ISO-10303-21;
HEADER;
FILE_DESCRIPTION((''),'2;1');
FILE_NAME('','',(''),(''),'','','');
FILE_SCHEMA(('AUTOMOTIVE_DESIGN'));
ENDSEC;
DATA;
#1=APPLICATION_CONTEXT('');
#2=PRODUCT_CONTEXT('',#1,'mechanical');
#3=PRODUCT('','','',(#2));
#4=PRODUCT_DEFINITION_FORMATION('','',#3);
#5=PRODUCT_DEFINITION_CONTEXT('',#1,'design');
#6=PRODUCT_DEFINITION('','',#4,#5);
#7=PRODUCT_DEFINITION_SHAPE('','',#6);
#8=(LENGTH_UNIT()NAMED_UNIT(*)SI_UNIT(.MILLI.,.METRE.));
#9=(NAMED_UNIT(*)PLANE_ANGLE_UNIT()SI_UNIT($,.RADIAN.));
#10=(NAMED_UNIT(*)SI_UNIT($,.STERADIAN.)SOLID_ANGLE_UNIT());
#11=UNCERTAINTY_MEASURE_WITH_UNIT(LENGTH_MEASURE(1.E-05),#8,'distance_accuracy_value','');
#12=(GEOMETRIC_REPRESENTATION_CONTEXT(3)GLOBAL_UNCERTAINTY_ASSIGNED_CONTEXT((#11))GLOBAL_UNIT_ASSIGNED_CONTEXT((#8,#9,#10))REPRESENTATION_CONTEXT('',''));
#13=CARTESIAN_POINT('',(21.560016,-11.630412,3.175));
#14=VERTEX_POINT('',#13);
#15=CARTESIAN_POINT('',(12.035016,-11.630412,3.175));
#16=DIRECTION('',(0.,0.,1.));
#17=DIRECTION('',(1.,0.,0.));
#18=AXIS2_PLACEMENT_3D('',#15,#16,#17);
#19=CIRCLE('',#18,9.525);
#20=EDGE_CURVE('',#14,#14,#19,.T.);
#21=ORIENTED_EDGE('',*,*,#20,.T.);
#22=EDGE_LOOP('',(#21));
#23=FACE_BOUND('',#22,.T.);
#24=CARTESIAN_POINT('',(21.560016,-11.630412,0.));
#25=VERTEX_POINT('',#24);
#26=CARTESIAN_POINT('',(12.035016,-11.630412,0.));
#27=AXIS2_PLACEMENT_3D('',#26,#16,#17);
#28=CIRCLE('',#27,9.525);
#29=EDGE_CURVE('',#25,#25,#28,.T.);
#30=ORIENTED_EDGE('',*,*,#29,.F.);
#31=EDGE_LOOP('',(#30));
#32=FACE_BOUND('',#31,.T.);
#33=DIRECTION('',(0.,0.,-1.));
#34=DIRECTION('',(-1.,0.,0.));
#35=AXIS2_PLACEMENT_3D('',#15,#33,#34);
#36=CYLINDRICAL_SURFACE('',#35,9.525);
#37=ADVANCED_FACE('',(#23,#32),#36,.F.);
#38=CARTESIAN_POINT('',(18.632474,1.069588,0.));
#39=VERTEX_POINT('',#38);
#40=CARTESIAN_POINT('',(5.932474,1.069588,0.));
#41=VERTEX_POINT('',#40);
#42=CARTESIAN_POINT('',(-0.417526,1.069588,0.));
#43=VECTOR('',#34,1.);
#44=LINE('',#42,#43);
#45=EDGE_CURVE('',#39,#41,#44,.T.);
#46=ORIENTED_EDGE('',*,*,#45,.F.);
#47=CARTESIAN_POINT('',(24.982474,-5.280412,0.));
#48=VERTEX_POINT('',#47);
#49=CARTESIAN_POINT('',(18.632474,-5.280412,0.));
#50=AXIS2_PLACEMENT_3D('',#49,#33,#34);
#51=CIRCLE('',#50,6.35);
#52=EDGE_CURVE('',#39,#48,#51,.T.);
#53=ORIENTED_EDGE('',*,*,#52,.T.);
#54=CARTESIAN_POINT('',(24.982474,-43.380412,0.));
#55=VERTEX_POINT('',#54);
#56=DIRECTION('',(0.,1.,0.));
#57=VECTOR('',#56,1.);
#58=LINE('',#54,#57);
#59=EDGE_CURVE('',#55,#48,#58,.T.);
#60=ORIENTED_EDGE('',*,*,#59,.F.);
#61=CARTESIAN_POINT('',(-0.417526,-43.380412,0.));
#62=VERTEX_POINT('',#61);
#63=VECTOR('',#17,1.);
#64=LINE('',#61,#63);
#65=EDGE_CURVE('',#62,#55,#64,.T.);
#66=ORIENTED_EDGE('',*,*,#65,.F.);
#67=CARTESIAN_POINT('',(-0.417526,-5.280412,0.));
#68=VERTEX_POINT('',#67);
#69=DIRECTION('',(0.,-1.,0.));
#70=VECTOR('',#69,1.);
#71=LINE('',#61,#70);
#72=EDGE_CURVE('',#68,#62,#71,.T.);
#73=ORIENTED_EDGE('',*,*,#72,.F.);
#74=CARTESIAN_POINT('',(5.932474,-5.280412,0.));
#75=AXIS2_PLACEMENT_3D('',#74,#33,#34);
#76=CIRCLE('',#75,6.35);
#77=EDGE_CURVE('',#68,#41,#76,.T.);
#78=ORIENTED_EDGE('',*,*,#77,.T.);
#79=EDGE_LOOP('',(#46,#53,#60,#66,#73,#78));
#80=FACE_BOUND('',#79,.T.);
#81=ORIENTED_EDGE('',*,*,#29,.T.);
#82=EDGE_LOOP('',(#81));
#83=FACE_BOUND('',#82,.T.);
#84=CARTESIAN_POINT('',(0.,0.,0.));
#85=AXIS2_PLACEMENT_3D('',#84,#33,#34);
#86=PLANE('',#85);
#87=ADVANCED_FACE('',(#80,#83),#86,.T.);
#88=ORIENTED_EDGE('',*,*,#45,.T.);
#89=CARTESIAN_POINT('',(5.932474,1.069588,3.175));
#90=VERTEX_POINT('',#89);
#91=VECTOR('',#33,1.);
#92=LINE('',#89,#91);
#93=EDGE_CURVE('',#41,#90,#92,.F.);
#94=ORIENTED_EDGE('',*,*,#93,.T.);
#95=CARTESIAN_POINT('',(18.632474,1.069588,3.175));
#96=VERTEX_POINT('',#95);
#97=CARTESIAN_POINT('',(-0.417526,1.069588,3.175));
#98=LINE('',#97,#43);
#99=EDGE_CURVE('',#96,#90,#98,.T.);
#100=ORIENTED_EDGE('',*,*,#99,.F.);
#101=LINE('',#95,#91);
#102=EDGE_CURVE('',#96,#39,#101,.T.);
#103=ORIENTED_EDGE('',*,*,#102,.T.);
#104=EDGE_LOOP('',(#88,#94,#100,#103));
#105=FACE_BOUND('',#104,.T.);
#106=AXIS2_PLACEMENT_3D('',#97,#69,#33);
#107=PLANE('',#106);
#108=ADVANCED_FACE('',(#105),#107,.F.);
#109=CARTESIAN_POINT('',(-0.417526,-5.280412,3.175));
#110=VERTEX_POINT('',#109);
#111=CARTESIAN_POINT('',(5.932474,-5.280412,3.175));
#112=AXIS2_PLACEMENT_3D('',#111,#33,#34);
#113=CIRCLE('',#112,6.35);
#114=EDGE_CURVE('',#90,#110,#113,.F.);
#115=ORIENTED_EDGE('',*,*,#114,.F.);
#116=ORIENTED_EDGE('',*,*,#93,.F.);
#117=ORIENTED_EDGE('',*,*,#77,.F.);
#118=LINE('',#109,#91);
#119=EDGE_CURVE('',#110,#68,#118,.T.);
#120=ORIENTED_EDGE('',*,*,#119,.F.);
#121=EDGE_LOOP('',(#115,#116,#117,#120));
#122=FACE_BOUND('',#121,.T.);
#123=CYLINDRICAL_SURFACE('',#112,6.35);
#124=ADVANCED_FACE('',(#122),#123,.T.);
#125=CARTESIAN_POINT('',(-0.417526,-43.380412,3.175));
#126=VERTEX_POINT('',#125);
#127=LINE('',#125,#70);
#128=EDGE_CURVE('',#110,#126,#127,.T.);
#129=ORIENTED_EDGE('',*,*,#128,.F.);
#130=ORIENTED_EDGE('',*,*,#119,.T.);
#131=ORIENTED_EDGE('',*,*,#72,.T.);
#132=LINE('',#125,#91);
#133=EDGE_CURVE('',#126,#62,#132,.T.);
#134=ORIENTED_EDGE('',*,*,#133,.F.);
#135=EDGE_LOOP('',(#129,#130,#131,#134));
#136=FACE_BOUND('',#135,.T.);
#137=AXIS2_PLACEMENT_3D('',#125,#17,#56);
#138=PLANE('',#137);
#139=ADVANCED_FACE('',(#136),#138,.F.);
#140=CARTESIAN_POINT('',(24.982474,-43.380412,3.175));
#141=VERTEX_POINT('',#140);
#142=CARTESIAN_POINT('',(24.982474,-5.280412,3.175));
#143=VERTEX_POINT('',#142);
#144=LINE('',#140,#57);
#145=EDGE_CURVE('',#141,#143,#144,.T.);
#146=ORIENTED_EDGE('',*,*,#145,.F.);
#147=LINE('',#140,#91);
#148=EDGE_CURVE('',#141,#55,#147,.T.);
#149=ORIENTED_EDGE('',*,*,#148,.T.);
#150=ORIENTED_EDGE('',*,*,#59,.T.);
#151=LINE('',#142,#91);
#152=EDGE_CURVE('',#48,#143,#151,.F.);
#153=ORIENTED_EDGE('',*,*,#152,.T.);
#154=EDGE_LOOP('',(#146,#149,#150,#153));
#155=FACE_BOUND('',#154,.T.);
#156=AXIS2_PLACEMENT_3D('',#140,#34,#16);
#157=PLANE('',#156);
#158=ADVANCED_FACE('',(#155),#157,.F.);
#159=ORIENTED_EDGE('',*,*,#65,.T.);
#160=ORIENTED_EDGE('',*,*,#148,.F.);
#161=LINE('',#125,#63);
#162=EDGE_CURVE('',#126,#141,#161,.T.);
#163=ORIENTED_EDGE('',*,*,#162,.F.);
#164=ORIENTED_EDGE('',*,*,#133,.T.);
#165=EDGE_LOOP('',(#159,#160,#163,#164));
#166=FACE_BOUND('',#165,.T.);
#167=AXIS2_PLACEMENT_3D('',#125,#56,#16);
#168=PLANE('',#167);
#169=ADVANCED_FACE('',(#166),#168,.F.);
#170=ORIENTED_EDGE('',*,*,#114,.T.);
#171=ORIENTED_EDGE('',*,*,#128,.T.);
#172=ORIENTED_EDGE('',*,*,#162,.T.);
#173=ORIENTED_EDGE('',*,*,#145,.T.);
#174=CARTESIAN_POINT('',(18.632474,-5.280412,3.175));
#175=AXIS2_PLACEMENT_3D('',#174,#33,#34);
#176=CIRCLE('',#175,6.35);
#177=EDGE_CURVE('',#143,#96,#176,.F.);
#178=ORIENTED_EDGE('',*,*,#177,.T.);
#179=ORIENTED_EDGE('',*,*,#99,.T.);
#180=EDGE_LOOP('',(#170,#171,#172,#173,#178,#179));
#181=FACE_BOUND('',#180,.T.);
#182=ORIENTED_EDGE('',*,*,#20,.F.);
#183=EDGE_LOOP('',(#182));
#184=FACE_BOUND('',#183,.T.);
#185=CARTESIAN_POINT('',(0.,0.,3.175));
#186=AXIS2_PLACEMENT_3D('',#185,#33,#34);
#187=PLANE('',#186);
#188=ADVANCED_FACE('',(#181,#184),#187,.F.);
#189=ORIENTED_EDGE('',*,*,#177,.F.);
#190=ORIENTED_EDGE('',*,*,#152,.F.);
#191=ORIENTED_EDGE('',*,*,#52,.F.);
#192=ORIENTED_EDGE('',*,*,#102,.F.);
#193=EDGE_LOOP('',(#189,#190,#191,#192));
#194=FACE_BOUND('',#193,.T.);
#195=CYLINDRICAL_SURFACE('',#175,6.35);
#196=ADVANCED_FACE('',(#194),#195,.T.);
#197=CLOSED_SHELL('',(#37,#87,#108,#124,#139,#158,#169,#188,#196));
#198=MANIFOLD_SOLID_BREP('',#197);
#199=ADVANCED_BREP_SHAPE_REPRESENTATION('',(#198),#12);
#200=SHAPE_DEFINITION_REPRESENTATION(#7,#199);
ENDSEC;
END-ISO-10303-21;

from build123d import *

# Parameters (mm, degrees)
SKETCH1_W           = 25.4
SKETCH1_H           = 44.45
SKETCH1_R           = 9.525
BOSS_EXTRUDE1_DEPTH = 3.175
FILLET1_R           = 6.35


with BuildPart() as part:
    # Sketch1 → Boss-Extrude1 (new body)
    with BuildSketch(Plane.XY):
        with Locations((12.282474227, -21.155412371)):
            Rectangle(SKETCH1_W, SKETCH1_H)
        with Locations((12.035016268, -11.630412371)):
            Circle(SKETCH1_R, mode=Mode.SUBTRACT)
    extrude(amount=BOSS_EXTRUDE1_DEPTH)

    # Fillet1
    fillet1_edges = [part.edges().sort_by_distance(p)[0] for p in [
        (-0.417525773, 1.069587629, 1.5875),
        (24.982474227, 1.069587629, 1.5875),
    ]]
    fillet(fillet1_edges, radius=FILLET1_R)


solid = part.part
